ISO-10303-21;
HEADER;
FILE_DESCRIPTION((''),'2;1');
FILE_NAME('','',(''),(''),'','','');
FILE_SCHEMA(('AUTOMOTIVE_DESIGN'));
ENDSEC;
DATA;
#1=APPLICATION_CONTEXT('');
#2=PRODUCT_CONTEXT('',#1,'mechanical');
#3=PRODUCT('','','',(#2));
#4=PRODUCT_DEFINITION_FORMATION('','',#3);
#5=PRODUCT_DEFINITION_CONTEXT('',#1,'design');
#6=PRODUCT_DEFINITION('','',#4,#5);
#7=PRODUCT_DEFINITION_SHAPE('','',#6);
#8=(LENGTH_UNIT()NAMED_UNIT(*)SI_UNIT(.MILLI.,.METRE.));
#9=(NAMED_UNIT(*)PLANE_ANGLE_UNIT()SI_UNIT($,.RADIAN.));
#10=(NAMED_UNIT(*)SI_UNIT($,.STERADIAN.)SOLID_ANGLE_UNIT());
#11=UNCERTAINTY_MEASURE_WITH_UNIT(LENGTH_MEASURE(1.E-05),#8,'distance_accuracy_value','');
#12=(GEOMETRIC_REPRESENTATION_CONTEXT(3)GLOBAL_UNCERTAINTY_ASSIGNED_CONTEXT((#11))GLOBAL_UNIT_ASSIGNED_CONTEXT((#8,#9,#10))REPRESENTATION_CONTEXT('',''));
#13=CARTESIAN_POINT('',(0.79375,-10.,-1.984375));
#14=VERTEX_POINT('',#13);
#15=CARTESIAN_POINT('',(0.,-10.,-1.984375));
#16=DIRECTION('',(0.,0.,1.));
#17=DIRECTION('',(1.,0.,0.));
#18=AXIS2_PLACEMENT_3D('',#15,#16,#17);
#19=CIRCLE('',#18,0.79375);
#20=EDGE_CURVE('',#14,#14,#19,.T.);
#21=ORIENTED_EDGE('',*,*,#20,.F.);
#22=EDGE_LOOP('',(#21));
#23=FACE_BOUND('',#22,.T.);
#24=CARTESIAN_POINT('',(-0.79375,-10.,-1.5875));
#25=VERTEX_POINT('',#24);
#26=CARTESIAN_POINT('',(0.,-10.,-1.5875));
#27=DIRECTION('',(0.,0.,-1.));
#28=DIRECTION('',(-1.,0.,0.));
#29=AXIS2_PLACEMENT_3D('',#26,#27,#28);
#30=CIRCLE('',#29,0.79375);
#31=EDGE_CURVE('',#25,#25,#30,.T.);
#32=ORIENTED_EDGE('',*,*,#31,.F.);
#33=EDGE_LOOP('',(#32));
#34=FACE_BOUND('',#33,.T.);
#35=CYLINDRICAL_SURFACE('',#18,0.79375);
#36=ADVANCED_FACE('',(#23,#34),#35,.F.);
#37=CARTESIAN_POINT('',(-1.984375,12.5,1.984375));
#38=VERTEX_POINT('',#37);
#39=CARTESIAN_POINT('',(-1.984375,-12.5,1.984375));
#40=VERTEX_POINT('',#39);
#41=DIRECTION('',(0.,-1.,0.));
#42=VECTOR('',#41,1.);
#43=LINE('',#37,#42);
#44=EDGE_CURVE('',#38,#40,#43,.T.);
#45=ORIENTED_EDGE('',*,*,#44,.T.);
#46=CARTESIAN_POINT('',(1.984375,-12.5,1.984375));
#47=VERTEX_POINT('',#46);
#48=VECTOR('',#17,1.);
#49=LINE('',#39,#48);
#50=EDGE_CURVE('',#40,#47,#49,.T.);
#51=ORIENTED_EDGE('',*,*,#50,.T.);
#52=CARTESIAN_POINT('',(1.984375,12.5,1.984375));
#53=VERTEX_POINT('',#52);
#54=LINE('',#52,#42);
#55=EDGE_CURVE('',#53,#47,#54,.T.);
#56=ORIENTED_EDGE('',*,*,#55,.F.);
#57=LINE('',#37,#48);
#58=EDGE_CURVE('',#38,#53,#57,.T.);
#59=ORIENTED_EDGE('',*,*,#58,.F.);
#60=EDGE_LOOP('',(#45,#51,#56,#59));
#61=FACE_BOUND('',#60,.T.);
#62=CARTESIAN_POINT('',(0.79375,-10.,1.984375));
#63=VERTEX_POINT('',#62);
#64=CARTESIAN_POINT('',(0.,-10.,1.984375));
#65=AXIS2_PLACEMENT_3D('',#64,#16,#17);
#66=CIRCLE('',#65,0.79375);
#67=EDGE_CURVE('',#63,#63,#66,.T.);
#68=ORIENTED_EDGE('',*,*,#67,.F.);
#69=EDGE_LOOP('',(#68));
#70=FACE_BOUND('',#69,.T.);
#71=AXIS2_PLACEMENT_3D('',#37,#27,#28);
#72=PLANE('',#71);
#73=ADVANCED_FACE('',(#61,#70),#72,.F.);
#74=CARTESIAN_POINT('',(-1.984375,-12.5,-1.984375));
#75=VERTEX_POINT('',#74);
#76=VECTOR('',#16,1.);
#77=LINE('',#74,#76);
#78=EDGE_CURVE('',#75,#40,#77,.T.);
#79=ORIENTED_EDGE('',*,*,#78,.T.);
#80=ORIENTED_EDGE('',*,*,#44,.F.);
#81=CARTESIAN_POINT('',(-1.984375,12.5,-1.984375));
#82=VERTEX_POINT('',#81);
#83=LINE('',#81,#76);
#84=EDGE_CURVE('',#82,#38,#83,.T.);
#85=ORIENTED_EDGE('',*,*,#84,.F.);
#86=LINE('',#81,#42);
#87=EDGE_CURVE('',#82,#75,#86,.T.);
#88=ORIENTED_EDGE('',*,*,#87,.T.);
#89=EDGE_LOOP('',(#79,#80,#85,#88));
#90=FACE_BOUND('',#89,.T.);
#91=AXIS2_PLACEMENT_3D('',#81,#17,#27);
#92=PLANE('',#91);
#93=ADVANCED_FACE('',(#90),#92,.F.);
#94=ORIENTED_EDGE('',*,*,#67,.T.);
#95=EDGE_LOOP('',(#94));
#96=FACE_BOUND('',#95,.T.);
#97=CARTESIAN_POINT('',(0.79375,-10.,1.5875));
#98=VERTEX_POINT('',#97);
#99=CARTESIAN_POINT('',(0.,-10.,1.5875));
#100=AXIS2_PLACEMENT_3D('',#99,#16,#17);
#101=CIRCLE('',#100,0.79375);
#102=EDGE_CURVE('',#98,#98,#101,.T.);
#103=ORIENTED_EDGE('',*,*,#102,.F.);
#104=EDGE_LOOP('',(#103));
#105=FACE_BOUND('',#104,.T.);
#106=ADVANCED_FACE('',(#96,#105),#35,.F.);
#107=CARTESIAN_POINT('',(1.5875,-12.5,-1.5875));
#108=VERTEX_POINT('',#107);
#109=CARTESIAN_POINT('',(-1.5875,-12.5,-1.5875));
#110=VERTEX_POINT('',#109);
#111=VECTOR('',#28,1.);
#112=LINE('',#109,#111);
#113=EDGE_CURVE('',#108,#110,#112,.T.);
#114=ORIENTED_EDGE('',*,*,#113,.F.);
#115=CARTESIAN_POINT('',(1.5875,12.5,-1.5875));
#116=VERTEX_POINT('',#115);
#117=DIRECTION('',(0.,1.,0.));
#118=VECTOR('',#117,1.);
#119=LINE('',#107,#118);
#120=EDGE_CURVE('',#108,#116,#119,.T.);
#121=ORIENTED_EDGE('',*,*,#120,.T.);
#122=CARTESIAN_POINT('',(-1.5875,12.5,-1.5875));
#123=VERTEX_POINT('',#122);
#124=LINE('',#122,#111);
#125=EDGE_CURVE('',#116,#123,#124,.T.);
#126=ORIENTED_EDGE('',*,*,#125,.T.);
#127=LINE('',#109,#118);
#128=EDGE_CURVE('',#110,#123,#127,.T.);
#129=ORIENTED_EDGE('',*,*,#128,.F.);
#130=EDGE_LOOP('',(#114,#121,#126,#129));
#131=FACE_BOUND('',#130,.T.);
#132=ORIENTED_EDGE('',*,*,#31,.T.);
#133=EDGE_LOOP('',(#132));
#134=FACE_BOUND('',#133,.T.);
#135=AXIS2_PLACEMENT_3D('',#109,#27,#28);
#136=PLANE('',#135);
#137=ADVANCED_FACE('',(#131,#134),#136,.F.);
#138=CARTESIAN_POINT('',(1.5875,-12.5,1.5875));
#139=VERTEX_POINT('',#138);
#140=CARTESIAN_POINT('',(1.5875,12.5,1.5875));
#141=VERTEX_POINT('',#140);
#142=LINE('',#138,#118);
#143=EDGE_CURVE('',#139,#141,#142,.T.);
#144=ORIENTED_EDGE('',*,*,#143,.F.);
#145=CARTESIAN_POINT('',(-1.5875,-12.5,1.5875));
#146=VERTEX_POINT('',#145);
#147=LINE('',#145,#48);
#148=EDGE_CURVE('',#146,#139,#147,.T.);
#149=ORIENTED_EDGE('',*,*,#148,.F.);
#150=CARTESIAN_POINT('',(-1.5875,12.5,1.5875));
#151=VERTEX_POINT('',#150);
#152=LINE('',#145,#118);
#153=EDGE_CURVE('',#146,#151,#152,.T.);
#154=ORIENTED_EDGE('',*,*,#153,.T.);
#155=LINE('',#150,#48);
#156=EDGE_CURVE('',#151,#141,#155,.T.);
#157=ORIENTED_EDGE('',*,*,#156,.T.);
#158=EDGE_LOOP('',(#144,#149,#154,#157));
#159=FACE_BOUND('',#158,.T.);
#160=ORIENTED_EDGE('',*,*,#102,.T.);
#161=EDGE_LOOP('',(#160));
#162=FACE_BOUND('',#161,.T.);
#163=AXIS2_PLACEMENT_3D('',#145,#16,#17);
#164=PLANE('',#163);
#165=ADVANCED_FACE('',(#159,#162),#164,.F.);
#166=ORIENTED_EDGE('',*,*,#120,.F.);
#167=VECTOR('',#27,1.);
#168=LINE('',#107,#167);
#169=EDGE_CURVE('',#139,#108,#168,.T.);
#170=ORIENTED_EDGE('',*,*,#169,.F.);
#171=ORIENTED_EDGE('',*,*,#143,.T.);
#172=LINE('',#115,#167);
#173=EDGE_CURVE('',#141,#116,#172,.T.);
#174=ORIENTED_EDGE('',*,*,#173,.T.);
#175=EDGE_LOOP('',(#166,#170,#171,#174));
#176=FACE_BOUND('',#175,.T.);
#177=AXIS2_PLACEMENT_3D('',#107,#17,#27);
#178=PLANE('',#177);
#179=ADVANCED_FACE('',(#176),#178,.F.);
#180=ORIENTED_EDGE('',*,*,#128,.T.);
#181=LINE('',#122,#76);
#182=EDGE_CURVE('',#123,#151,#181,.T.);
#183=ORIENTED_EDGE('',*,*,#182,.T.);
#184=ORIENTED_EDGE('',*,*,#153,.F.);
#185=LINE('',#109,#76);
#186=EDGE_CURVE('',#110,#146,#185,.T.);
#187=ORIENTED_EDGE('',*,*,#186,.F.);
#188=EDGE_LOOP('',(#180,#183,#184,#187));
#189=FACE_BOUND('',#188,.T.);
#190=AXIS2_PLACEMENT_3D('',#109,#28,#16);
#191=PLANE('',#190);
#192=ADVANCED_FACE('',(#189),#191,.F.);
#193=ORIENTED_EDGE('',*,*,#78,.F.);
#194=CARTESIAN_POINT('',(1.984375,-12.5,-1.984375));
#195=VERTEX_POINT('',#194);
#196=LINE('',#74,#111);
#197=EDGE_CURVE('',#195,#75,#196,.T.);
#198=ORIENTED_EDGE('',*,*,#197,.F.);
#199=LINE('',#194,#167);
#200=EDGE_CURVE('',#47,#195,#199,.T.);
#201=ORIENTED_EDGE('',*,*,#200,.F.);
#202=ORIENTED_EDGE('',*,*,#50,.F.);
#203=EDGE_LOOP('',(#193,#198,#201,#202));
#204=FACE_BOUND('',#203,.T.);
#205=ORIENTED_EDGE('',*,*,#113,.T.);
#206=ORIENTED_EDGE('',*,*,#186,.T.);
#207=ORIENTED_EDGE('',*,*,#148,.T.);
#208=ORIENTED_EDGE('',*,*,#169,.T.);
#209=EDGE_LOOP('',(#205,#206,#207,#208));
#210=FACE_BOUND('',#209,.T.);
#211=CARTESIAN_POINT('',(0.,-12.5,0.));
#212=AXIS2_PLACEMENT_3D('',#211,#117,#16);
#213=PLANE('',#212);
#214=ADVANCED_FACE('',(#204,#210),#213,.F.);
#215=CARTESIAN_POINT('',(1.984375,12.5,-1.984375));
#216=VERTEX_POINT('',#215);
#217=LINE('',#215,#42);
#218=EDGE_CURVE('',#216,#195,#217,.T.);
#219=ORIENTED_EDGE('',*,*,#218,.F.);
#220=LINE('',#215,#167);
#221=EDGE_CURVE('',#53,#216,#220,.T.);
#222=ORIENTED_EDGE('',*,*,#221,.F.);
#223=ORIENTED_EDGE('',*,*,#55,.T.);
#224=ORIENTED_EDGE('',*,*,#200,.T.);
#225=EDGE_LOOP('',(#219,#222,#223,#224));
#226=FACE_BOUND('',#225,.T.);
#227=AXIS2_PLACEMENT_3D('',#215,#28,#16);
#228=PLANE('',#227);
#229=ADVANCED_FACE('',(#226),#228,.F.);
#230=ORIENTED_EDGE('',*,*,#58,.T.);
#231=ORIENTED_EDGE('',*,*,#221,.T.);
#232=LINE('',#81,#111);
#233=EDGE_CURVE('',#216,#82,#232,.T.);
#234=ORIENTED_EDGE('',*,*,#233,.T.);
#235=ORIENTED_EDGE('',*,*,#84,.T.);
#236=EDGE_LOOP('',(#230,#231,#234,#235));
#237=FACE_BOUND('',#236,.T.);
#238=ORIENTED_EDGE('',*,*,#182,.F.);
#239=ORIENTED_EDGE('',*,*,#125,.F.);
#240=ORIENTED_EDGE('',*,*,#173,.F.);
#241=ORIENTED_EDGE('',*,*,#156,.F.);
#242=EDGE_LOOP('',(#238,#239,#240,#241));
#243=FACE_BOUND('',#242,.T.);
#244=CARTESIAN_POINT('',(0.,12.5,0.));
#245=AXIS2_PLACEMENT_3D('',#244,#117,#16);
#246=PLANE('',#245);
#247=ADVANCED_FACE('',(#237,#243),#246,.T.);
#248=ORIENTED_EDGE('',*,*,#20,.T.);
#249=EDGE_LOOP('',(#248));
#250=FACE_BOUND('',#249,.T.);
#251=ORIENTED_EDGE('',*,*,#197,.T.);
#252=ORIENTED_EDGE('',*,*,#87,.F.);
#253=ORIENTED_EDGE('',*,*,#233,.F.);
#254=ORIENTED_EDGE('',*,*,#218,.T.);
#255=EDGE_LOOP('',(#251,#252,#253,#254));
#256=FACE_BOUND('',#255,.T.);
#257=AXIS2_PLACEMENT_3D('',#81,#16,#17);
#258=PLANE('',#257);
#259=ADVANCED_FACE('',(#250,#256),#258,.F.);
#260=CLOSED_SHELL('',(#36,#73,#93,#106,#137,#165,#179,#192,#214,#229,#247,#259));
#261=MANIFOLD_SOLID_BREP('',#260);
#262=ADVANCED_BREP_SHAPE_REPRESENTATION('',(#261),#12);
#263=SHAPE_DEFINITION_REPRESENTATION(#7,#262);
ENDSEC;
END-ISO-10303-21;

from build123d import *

# Parameters (mm, degrees)
SKETCH1_W               = 3.96875
SKETCH1_H               = 3.96875
BOSS_EXTRUDE1_DEPTH     = 12.5
SKETCH2_W               = 3.175
SKETCH2_H               = 3.175
CUT_EXTRUDE1_DEPTH      = 26.157016681
CUT_EXTRUDE2_DEPTH      = 13.811147032
CUT_EXTRUDE2_DEPTH_BACK = 13.811147032
SKETCH3_R               = 0.79375


with BuildPart() as part:
    # Sketch1 → Boss-Extrude1 (new, symmetric)
    with BuildSketch(Plane(origin=(0, 0, 0), x_dir=(1, 0, 0), z_dir=(0, 1, 0))):
        Rectangle(SKETCH1_W, SKETCH1_H)
    extrude(amount=BOSS_EXTRUDE1_DEPTH, both=True)

    # Sketch2 → Cut-Extrude1 (cut, through all)
    with BuildSketch(Plane(origin=(0, 12.5, 0), x_dir=(1, 0, 0), z_dir=(0, 1, 0))):
        Rectangle(SKETCH2_W, SKETCH2_H)
    extrude(amount=-CUT_EXTRUDE1_DEPTH, mode=Mode.SUBTRACT)

    # Sketch3 → Cut-Extrude2 (cut, two sides: drawn at the far end of the back side and taken through both)
    with BuildSketch(Plane.XY.offset(-CUT_EXTRUDE2_DEPTH_BACK)):
        with Locations((0, -10)):
            Circle(SKETCH3_R)
    extrude(amount=CUT_EXTRUDE2_DEPTH + CUT_EXTRUDE2_DEPTH_BACK, mode=Mode.SUBTRACT)


solid = part.part
